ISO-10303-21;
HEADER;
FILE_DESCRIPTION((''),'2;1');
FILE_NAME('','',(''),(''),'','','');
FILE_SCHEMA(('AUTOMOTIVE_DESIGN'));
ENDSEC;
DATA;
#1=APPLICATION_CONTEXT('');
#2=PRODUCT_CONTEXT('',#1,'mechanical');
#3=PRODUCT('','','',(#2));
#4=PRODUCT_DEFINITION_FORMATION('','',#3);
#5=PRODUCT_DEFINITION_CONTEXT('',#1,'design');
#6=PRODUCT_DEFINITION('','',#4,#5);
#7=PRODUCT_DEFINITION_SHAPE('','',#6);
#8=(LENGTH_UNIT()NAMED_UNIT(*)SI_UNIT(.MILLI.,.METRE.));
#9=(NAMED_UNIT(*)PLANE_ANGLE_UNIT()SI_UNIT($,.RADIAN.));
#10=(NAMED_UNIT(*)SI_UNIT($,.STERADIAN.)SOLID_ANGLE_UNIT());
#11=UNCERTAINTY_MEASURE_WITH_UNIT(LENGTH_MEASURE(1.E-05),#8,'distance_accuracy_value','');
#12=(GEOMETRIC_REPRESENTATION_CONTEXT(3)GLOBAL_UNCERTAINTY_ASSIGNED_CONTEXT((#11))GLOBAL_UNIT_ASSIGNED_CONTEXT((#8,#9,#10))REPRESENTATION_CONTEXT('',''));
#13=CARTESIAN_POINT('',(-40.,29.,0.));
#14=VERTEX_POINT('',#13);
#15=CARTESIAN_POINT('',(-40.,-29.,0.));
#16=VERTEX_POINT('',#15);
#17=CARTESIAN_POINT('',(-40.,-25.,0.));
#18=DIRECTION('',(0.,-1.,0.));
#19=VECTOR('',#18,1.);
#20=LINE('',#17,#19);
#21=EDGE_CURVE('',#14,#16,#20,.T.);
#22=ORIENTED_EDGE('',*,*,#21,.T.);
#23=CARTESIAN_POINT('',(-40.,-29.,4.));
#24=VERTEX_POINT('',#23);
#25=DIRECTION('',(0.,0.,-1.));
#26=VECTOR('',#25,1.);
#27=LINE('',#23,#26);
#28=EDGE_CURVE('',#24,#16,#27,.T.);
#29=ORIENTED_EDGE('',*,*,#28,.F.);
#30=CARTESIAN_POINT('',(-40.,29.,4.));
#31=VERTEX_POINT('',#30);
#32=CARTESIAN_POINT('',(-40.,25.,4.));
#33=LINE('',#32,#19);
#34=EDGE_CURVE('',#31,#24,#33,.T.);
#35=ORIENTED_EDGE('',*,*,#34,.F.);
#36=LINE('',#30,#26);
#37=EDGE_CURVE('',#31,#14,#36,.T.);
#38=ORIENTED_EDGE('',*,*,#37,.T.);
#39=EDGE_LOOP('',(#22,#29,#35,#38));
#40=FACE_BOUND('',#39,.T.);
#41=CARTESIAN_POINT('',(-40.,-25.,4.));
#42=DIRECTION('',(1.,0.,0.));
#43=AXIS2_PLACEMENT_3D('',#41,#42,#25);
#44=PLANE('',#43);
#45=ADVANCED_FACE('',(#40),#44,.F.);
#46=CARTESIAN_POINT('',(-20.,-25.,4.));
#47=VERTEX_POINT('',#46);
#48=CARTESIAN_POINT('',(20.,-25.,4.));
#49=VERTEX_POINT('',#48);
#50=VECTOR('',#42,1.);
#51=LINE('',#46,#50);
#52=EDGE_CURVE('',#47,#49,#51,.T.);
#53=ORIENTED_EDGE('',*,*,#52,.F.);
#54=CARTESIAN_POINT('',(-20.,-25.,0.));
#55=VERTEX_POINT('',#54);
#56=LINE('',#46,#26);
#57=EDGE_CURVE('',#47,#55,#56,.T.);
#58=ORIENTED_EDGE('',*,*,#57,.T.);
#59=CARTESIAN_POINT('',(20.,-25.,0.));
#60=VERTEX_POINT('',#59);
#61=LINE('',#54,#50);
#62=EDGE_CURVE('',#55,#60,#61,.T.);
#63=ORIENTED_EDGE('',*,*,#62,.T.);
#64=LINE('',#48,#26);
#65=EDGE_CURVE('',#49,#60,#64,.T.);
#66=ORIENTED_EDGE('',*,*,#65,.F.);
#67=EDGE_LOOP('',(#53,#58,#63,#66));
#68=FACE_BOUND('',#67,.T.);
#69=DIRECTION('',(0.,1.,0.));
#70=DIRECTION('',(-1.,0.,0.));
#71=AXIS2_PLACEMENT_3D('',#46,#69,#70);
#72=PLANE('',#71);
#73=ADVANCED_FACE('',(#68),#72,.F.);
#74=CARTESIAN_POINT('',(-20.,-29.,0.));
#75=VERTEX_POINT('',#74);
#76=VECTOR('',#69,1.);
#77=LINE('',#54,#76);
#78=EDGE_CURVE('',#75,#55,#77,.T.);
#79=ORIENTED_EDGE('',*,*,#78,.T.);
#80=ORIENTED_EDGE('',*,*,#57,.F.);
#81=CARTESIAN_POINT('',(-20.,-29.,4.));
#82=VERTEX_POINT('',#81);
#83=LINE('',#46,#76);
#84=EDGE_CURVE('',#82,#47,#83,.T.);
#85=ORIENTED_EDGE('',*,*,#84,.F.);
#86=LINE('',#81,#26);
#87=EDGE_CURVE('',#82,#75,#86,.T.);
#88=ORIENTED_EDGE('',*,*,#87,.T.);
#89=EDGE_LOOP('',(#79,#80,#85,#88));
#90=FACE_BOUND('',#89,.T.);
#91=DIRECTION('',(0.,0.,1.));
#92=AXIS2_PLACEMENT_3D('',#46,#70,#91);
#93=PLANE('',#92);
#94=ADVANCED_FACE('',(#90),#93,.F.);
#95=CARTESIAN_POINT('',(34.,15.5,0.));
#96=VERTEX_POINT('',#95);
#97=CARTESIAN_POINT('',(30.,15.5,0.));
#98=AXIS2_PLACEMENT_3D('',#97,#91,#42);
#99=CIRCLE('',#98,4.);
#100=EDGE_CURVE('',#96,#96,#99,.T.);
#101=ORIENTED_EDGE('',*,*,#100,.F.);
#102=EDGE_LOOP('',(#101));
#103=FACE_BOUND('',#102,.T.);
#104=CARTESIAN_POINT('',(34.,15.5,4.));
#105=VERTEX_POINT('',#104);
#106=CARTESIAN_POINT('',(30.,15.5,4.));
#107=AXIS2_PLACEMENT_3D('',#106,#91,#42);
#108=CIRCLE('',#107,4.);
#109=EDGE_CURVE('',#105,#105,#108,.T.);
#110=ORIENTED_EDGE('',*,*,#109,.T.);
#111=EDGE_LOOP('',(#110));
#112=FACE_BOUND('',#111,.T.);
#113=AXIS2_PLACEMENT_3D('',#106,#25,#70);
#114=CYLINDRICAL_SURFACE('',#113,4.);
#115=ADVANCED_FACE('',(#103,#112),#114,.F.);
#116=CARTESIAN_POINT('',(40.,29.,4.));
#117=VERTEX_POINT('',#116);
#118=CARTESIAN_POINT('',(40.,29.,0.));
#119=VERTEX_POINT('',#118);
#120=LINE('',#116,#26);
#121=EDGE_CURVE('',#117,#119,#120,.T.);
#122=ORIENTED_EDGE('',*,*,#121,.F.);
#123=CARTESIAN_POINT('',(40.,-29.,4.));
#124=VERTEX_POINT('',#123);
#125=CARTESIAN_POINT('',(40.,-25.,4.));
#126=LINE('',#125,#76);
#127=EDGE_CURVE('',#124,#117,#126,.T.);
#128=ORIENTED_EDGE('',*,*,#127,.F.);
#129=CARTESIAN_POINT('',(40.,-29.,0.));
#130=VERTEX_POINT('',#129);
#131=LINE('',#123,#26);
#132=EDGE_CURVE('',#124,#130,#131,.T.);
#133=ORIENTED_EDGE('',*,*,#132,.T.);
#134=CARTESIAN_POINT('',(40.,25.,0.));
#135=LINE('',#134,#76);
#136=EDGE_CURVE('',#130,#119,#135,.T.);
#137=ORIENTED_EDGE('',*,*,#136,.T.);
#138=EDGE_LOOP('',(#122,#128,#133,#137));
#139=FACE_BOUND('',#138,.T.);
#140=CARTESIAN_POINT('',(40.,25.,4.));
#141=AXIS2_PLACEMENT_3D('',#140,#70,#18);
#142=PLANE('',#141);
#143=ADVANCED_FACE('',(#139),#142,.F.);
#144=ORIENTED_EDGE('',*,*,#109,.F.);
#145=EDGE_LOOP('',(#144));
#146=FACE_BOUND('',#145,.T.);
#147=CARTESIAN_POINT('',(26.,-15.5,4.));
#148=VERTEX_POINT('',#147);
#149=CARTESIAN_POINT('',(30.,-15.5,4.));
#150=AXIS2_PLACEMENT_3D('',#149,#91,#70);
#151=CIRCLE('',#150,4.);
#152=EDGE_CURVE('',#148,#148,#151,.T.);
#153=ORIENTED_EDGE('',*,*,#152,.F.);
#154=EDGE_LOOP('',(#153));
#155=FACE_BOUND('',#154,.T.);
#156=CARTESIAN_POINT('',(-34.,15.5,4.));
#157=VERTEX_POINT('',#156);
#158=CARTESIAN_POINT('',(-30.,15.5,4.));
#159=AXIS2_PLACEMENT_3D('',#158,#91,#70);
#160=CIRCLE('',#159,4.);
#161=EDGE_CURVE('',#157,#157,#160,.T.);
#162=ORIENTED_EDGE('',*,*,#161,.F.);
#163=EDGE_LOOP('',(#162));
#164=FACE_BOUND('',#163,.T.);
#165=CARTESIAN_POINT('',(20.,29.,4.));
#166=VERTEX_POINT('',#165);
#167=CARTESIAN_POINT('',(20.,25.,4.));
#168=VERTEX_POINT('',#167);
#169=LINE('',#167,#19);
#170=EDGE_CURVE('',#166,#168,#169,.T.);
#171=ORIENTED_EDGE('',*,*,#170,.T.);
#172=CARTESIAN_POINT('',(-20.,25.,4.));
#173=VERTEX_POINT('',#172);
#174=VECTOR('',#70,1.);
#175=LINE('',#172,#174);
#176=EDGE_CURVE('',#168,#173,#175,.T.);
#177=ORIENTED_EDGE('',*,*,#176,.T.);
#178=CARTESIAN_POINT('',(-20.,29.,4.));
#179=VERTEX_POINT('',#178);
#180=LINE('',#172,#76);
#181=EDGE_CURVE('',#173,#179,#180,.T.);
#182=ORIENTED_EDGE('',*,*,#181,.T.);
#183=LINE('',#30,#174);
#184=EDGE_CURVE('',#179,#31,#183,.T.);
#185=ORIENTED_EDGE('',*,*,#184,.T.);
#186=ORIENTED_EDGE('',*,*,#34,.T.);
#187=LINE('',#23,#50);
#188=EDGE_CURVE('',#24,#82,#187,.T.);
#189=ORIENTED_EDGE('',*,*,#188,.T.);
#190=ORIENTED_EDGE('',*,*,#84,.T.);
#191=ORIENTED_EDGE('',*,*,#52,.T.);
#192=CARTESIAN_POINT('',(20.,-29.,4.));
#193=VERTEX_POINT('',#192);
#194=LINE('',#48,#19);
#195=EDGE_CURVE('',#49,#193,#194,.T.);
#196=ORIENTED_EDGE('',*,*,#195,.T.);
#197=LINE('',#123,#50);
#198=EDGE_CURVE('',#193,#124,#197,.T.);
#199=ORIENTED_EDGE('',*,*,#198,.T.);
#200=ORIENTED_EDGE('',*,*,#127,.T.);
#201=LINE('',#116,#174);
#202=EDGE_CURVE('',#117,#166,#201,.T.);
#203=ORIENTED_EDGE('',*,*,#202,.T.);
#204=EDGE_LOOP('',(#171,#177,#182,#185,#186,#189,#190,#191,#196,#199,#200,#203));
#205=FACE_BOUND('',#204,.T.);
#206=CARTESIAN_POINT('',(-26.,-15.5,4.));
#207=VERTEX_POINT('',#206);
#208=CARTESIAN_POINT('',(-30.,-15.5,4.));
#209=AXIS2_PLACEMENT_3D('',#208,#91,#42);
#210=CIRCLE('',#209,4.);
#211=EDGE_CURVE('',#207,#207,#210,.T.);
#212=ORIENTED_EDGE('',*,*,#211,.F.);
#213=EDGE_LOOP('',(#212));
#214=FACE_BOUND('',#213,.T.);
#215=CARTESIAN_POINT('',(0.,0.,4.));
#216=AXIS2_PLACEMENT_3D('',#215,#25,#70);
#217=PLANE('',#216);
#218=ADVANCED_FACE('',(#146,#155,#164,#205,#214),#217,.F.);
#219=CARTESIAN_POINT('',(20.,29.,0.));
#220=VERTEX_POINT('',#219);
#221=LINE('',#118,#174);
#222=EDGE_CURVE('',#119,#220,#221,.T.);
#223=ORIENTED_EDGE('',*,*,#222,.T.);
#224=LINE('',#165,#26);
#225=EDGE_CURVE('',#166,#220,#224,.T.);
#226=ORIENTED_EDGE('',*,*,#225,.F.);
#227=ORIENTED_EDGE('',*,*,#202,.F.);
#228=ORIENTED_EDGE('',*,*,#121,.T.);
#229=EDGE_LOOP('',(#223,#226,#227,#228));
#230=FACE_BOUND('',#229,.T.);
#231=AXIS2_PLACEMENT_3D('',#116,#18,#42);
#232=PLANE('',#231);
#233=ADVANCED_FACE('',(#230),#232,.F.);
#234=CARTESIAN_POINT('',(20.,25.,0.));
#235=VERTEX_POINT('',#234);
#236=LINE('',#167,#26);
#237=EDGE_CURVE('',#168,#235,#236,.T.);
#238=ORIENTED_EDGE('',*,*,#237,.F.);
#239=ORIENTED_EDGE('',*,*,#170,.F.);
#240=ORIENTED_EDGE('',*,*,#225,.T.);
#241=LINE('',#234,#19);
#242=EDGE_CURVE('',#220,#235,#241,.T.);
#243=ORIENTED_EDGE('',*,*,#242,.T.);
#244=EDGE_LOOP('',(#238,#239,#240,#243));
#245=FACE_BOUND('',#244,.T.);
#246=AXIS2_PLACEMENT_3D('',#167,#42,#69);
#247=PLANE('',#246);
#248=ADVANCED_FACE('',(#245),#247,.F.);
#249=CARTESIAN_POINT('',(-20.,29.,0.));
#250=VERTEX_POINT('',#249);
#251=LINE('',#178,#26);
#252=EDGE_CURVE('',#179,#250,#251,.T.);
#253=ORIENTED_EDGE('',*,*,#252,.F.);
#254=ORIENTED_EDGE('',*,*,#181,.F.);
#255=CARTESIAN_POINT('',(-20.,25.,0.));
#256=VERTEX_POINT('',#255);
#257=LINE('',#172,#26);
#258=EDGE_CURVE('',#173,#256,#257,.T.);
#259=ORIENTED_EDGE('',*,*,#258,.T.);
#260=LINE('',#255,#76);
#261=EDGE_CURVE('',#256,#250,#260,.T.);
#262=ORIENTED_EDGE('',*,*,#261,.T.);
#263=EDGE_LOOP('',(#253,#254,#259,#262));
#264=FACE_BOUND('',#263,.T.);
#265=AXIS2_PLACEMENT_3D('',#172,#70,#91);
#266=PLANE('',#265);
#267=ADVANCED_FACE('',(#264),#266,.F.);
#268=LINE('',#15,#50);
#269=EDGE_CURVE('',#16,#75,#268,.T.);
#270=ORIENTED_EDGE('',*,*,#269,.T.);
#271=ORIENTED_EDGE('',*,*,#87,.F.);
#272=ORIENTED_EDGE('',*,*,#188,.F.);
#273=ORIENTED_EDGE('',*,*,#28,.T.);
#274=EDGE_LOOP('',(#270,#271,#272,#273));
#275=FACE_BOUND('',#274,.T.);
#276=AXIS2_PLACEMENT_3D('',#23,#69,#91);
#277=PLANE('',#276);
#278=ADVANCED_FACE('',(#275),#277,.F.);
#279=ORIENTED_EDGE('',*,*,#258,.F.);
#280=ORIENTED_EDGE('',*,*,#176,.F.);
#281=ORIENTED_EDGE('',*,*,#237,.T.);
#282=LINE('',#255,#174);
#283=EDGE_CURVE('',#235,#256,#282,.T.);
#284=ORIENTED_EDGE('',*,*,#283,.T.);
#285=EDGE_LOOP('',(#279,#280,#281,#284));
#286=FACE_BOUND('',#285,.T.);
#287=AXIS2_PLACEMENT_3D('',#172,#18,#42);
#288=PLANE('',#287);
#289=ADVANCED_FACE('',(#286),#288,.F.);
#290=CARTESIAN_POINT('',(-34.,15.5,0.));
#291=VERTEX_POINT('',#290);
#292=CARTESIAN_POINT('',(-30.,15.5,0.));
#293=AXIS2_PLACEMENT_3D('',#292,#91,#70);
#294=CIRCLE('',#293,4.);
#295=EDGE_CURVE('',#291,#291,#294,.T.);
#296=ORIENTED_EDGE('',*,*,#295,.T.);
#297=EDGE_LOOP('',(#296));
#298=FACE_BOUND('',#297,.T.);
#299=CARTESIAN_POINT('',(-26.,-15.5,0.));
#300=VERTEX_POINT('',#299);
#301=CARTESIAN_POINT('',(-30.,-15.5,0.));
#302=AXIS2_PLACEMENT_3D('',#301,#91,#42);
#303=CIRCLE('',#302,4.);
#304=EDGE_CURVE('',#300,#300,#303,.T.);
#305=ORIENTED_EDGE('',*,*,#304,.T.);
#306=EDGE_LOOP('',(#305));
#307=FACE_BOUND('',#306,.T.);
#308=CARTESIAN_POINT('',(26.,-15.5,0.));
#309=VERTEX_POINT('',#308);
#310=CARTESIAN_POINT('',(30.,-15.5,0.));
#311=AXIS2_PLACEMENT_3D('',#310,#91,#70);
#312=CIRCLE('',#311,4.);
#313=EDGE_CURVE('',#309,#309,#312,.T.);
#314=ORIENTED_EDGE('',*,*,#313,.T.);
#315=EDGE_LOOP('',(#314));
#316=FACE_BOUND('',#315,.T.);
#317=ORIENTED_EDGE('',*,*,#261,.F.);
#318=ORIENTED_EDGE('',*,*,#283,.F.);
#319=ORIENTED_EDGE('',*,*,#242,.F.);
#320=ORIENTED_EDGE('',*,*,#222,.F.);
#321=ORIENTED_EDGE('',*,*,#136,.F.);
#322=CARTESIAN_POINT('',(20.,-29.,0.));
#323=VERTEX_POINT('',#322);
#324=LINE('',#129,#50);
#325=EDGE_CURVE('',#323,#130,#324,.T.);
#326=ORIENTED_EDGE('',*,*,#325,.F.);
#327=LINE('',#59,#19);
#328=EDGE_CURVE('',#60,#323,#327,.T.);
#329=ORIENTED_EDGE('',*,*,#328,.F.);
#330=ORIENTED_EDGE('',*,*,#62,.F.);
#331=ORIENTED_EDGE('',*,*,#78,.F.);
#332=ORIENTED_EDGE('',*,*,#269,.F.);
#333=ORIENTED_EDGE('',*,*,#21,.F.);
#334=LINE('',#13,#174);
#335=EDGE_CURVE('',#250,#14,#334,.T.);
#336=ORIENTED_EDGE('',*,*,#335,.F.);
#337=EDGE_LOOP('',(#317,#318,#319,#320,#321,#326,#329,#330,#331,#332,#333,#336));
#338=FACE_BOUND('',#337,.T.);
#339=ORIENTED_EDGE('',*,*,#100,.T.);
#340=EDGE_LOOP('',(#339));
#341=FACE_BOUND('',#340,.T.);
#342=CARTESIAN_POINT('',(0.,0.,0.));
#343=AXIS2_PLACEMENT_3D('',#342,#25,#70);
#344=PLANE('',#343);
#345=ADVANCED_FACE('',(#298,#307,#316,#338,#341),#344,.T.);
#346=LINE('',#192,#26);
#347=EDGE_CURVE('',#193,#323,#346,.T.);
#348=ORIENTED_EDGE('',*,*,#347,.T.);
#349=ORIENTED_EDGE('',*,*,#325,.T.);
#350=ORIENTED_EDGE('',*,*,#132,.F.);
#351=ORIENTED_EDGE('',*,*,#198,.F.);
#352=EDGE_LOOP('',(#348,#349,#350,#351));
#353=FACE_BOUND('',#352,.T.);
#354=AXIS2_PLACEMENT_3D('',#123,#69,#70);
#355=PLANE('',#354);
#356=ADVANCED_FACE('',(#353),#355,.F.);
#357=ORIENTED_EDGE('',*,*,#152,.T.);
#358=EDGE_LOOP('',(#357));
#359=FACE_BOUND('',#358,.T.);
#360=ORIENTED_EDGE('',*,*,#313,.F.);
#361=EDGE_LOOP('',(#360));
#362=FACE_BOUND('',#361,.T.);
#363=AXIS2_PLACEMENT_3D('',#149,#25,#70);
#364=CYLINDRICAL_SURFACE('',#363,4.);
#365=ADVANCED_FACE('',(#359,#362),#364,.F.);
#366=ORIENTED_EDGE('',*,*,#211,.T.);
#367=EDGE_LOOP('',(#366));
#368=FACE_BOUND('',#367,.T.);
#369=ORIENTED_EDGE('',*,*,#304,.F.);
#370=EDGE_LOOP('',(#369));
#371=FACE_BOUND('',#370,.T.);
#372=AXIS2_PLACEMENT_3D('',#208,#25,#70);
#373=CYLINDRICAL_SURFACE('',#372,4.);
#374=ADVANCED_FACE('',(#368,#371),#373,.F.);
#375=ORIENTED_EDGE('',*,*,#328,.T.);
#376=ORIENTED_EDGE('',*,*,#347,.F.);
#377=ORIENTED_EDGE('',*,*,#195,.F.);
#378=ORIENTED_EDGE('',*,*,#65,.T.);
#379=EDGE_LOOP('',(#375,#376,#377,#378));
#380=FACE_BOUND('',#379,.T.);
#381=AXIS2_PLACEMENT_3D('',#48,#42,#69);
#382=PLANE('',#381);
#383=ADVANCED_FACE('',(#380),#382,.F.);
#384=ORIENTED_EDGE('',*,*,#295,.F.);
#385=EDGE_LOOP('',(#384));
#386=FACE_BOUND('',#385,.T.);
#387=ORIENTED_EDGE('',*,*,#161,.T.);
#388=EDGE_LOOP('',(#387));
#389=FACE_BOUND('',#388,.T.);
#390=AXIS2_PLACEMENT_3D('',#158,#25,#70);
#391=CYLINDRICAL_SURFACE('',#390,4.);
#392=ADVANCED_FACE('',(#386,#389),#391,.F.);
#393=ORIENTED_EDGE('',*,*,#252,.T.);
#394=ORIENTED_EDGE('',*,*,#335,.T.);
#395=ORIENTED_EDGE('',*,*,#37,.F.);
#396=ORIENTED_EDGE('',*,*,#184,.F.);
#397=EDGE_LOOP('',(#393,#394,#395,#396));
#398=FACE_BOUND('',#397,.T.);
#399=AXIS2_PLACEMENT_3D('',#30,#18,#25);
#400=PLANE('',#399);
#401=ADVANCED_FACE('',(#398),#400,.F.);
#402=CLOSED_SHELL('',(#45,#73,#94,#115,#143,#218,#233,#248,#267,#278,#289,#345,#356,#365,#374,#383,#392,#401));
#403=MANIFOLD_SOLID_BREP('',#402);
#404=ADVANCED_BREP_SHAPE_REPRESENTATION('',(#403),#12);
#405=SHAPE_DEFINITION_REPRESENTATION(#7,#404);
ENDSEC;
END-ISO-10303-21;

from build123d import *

# Parameters (mm, degrees)
SKETCH1_R           = 4
BOSS_EXTRUDE1_DEPTH = 4


with BuildPart() as part:
    # Sketch1 → Boss-Extrude1 (new body)
    with BuildSketch(Plane.XY):
        Polygon((-20, 25), (20, 25), (20, 29), (40, 29), (40, 25), (40, -25), (40, -29), (20, -29), (20, -25), (-20, -25), (-20, -29), (-40, -29), (-40, -25), (-40, 25), (-40, 29), (-20, 29), align=None)
        with Locations((30, 15.5)):
            Circle(SKETCH1_R, mode=Mode.SUBTRACT)
        with Locations(Location((-30, 15.5, 0), (0, 0, 180))):
            Circle(SKETCH1_R, mode=Mode.SUBTRACT)
        with Locations((-30, -15.5)):
            Circle(SKETCH1_R, mode=Mode.SUBTRACT)
        with Locations(Location((30, -15.5, 0), (0, 0, 180))):
            Circle(SKETCH1_R, mode=Mode.SUBTRACT)
    extrude(amount=BOSS_EXTRUDE1_DEPTH)


solid = part.part
